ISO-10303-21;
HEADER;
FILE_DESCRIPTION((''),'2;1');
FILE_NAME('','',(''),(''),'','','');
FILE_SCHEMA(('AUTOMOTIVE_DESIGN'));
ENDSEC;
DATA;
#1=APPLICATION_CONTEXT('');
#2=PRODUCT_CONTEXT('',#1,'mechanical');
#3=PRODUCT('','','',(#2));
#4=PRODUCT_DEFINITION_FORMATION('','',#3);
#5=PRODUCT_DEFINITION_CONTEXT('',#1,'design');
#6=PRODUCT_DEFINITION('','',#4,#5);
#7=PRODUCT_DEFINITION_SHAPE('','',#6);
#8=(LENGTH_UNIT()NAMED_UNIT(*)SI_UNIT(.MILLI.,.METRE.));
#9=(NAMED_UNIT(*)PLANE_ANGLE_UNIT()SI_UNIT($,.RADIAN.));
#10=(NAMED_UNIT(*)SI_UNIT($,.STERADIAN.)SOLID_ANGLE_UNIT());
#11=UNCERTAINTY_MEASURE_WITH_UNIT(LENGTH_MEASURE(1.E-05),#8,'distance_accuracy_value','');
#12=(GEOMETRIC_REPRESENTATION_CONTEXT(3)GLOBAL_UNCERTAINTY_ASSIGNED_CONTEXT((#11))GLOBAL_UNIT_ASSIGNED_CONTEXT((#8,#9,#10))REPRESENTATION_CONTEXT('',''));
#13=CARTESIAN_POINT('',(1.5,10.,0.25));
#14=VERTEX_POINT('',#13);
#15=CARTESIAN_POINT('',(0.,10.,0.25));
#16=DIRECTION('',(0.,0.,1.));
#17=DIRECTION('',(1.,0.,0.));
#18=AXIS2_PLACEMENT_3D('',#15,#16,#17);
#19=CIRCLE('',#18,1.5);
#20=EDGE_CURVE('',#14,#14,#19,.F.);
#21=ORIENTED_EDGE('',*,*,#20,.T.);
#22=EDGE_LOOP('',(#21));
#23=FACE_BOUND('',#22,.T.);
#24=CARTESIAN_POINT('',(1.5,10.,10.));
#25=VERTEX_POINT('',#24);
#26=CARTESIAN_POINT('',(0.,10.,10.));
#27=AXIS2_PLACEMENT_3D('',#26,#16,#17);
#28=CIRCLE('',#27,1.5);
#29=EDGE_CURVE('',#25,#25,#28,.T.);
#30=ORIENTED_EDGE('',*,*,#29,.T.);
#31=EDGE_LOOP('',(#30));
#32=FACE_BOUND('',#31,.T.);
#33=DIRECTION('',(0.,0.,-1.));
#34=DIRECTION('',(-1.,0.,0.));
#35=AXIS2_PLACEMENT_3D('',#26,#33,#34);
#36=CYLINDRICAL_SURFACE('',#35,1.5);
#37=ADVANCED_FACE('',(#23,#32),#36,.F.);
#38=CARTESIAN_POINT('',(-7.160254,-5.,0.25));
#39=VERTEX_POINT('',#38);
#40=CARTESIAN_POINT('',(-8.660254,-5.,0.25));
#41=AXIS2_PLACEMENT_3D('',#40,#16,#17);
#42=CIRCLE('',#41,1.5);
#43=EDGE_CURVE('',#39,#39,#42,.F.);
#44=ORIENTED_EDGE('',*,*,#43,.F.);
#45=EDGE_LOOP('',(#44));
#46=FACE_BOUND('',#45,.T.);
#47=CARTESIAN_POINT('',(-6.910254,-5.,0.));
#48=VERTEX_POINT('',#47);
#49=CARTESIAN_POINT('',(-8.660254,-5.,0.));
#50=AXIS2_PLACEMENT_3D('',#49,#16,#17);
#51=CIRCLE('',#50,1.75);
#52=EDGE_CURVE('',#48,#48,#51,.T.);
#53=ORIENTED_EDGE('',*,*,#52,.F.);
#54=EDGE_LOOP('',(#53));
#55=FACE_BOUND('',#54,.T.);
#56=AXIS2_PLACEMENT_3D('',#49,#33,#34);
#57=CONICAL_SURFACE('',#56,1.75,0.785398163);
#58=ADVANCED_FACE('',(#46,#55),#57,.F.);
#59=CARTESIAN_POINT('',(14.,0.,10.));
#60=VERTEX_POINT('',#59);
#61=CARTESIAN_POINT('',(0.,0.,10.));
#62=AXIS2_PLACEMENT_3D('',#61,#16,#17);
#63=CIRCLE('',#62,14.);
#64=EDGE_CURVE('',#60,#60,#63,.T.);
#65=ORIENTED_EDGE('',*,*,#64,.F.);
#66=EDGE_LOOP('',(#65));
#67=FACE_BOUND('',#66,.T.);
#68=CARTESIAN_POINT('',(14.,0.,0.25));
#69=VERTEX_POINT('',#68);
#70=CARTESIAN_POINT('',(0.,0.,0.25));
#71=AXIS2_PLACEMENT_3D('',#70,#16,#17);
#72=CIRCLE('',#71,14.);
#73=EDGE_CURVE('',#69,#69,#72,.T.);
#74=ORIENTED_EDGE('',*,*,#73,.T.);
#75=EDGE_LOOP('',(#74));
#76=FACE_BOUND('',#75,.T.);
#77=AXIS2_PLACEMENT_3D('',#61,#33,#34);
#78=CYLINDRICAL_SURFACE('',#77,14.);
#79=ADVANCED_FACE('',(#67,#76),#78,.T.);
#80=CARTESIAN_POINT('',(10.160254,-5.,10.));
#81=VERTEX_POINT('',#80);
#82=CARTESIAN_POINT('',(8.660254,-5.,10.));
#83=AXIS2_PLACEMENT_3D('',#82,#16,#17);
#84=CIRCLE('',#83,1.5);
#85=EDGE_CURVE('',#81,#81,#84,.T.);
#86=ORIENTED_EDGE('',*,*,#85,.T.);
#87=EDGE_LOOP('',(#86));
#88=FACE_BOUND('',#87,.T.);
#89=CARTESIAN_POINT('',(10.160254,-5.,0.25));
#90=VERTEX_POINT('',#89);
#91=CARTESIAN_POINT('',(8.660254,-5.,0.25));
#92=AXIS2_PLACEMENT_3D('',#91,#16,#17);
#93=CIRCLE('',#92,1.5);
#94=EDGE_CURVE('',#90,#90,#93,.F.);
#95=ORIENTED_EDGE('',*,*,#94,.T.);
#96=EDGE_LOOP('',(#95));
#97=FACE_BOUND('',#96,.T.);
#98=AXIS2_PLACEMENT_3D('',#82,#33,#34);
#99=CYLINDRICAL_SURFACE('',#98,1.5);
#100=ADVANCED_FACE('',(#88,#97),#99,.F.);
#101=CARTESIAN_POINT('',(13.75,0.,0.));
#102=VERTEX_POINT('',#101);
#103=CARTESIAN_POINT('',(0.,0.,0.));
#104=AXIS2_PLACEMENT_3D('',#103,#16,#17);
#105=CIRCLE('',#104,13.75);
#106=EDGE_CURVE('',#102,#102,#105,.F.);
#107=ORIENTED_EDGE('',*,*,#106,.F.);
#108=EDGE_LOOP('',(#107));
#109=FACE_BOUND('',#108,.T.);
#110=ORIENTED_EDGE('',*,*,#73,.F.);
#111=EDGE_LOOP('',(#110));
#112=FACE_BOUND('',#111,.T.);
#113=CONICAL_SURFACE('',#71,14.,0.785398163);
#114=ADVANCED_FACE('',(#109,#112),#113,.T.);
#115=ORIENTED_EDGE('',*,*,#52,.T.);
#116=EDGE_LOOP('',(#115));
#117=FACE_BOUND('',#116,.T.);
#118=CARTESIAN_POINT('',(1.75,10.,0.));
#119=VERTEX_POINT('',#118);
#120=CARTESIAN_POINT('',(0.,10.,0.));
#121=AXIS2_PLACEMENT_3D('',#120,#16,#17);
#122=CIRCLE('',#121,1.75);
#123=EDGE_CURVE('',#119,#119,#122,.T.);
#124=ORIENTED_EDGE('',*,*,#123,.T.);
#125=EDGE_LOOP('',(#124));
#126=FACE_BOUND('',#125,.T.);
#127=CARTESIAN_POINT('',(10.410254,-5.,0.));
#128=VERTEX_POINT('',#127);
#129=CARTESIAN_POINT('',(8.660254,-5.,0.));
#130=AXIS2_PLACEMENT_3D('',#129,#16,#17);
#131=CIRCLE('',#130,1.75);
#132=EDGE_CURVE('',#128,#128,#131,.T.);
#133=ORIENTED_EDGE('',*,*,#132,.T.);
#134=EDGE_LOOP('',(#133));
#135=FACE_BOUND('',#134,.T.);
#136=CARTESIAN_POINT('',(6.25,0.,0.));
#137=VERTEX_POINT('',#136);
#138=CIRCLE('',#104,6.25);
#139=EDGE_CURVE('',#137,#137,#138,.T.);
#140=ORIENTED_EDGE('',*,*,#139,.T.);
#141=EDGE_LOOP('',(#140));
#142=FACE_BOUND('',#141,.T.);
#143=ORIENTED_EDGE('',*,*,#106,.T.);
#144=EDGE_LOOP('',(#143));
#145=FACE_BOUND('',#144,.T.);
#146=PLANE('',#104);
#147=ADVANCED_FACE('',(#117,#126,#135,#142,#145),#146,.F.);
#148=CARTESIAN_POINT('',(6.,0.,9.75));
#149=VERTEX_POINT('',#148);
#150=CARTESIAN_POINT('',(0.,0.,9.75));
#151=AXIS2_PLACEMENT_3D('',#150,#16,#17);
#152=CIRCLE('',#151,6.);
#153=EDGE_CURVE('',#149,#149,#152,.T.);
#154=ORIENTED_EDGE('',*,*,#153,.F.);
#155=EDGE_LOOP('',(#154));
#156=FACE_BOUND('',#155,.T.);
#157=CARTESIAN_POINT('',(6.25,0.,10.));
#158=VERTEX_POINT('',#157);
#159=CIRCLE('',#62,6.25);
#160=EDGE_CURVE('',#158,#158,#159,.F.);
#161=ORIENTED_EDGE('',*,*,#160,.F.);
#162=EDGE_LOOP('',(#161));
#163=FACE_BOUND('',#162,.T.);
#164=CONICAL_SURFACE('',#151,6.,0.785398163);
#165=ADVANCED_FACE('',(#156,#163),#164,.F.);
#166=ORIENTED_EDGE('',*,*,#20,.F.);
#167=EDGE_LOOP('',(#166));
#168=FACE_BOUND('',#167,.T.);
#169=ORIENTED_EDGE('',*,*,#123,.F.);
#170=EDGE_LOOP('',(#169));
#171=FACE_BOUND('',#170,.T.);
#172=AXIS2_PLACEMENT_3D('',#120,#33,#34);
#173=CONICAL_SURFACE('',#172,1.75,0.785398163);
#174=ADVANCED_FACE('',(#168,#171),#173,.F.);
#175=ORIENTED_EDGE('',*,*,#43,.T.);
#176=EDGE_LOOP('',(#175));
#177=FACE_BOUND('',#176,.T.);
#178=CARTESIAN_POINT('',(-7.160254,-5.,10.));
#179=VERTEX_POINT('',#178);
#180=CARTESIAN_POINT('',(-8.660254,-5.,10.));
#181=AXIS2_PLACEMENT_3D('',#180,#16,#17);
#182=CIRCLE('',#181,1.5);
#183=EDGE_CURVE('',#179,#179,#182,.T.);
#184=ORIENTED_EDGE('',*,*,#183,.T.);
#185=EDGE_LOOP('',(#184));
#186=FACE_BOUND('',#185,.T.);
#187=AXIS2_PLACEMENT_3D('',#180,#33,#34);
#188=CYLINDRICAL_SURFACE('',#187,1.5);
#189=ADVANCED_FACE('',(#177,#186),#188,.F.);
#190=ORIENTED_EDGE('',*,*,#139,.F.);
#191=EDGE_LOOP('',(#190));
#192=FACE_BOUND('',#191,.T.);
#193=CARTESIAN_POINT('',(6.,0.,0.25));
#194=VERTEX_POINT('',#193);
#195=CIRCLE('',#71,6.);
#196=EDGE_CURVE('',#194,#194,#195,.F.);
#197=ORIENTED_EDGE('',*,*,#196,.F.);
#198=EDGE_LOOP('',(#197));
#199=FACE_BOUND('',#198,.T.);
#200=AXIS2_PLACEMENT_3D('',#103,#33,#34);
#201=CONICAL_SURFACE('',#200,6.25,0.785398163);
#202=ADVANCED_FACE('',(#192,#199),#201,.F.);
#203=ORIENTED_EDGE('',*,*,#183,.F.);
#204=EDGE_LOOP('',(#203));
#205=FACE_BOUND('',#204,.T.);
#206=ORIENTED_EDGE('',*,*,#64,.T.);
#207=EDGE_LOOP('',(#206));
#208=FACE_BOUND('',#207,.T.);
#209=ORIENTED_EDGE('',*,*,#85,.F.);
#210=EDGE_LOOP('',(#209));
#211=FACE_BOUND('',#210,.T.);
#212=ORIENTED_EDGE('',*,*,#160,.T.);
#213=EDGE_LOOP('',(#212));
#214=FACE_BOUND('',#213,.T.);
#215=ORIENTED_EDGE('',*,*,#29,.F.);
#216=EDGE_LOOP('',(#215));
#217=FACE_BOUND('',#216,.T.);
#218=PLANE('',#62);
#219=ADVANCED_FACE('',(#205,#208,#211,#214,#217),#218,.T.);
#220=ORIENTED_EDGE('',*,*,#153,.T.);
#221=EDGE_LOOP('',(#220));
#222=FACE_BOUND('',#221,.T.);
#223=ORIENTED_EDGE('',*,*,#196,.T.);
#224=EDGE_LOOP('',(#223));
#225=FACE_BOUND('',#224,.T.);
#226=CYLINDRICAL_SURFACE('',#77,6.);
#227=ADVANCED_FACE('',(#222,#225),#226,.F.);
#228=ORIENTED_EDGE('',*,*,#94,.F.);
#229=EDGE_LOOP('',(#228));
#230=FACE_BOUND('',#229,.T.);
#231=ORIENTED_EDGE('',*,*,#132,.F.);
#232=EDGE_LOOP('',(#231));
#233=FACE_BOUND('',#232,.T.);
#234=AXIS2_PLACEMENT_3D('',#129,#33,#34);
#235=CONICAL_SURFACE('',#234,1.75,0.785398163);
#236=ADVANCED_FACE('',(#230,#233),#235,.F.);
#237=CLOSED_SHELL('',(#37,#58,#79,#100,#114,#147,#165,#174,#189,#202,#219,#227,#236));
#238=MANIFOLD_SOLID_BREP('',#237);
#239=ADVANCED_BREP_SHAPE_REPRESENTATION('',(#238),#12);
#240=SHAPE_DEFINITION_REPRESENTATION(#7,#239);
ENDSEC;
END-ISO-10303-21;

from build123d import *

# Parameters (mm, degrees)
SKETCH2_R           = 14
SKETCH2_R_2         = 6
SKETCH2_R_3         = 1.5
BOSS_EXTRUDE1_DEPTH = 10
CHAMFER1_SIZE       = 0.25


with BuildPart() as part:
    # Sketch2 → Boss-Extrude1 (new body)
    with BuildSketch(Plane.XY):
        Circle(SKETCH2_R)
        Circle(SKETCH2_R_2, mode=Mode.SUBTRACT)
        with Locations((0, 10)):
            Circle(SKETCH2_R_3, mode=Mode.SUBTRACT)
        with Locations((8.660254038, -5)):
            Circle(SKETCH2_R_3, mode=Mode.SUBTRACT)
        with Locations((-8.660254038, -5)):
            Circle(SKETCH2_R_3, mode=Mode.SUBTRACT)
    extrude(amount=BOSS_EXTRUDE1_DEPTH)

    # Chamfer1
    chamfer1_edges = [part.edges().sort_by_distance(p)[0] for p in [
        (7.160254038, -5, 0),
        (-10.160254038, -5, 0),
        (-14, 0, 0),
        (-6, 0, 0),
        (-6, 0, 10),
        (-1.5, 10, 0),
    ]]
    chamfer(chamfer1_edges, length=CHAMFER1_SIZE)


solid = part.part
